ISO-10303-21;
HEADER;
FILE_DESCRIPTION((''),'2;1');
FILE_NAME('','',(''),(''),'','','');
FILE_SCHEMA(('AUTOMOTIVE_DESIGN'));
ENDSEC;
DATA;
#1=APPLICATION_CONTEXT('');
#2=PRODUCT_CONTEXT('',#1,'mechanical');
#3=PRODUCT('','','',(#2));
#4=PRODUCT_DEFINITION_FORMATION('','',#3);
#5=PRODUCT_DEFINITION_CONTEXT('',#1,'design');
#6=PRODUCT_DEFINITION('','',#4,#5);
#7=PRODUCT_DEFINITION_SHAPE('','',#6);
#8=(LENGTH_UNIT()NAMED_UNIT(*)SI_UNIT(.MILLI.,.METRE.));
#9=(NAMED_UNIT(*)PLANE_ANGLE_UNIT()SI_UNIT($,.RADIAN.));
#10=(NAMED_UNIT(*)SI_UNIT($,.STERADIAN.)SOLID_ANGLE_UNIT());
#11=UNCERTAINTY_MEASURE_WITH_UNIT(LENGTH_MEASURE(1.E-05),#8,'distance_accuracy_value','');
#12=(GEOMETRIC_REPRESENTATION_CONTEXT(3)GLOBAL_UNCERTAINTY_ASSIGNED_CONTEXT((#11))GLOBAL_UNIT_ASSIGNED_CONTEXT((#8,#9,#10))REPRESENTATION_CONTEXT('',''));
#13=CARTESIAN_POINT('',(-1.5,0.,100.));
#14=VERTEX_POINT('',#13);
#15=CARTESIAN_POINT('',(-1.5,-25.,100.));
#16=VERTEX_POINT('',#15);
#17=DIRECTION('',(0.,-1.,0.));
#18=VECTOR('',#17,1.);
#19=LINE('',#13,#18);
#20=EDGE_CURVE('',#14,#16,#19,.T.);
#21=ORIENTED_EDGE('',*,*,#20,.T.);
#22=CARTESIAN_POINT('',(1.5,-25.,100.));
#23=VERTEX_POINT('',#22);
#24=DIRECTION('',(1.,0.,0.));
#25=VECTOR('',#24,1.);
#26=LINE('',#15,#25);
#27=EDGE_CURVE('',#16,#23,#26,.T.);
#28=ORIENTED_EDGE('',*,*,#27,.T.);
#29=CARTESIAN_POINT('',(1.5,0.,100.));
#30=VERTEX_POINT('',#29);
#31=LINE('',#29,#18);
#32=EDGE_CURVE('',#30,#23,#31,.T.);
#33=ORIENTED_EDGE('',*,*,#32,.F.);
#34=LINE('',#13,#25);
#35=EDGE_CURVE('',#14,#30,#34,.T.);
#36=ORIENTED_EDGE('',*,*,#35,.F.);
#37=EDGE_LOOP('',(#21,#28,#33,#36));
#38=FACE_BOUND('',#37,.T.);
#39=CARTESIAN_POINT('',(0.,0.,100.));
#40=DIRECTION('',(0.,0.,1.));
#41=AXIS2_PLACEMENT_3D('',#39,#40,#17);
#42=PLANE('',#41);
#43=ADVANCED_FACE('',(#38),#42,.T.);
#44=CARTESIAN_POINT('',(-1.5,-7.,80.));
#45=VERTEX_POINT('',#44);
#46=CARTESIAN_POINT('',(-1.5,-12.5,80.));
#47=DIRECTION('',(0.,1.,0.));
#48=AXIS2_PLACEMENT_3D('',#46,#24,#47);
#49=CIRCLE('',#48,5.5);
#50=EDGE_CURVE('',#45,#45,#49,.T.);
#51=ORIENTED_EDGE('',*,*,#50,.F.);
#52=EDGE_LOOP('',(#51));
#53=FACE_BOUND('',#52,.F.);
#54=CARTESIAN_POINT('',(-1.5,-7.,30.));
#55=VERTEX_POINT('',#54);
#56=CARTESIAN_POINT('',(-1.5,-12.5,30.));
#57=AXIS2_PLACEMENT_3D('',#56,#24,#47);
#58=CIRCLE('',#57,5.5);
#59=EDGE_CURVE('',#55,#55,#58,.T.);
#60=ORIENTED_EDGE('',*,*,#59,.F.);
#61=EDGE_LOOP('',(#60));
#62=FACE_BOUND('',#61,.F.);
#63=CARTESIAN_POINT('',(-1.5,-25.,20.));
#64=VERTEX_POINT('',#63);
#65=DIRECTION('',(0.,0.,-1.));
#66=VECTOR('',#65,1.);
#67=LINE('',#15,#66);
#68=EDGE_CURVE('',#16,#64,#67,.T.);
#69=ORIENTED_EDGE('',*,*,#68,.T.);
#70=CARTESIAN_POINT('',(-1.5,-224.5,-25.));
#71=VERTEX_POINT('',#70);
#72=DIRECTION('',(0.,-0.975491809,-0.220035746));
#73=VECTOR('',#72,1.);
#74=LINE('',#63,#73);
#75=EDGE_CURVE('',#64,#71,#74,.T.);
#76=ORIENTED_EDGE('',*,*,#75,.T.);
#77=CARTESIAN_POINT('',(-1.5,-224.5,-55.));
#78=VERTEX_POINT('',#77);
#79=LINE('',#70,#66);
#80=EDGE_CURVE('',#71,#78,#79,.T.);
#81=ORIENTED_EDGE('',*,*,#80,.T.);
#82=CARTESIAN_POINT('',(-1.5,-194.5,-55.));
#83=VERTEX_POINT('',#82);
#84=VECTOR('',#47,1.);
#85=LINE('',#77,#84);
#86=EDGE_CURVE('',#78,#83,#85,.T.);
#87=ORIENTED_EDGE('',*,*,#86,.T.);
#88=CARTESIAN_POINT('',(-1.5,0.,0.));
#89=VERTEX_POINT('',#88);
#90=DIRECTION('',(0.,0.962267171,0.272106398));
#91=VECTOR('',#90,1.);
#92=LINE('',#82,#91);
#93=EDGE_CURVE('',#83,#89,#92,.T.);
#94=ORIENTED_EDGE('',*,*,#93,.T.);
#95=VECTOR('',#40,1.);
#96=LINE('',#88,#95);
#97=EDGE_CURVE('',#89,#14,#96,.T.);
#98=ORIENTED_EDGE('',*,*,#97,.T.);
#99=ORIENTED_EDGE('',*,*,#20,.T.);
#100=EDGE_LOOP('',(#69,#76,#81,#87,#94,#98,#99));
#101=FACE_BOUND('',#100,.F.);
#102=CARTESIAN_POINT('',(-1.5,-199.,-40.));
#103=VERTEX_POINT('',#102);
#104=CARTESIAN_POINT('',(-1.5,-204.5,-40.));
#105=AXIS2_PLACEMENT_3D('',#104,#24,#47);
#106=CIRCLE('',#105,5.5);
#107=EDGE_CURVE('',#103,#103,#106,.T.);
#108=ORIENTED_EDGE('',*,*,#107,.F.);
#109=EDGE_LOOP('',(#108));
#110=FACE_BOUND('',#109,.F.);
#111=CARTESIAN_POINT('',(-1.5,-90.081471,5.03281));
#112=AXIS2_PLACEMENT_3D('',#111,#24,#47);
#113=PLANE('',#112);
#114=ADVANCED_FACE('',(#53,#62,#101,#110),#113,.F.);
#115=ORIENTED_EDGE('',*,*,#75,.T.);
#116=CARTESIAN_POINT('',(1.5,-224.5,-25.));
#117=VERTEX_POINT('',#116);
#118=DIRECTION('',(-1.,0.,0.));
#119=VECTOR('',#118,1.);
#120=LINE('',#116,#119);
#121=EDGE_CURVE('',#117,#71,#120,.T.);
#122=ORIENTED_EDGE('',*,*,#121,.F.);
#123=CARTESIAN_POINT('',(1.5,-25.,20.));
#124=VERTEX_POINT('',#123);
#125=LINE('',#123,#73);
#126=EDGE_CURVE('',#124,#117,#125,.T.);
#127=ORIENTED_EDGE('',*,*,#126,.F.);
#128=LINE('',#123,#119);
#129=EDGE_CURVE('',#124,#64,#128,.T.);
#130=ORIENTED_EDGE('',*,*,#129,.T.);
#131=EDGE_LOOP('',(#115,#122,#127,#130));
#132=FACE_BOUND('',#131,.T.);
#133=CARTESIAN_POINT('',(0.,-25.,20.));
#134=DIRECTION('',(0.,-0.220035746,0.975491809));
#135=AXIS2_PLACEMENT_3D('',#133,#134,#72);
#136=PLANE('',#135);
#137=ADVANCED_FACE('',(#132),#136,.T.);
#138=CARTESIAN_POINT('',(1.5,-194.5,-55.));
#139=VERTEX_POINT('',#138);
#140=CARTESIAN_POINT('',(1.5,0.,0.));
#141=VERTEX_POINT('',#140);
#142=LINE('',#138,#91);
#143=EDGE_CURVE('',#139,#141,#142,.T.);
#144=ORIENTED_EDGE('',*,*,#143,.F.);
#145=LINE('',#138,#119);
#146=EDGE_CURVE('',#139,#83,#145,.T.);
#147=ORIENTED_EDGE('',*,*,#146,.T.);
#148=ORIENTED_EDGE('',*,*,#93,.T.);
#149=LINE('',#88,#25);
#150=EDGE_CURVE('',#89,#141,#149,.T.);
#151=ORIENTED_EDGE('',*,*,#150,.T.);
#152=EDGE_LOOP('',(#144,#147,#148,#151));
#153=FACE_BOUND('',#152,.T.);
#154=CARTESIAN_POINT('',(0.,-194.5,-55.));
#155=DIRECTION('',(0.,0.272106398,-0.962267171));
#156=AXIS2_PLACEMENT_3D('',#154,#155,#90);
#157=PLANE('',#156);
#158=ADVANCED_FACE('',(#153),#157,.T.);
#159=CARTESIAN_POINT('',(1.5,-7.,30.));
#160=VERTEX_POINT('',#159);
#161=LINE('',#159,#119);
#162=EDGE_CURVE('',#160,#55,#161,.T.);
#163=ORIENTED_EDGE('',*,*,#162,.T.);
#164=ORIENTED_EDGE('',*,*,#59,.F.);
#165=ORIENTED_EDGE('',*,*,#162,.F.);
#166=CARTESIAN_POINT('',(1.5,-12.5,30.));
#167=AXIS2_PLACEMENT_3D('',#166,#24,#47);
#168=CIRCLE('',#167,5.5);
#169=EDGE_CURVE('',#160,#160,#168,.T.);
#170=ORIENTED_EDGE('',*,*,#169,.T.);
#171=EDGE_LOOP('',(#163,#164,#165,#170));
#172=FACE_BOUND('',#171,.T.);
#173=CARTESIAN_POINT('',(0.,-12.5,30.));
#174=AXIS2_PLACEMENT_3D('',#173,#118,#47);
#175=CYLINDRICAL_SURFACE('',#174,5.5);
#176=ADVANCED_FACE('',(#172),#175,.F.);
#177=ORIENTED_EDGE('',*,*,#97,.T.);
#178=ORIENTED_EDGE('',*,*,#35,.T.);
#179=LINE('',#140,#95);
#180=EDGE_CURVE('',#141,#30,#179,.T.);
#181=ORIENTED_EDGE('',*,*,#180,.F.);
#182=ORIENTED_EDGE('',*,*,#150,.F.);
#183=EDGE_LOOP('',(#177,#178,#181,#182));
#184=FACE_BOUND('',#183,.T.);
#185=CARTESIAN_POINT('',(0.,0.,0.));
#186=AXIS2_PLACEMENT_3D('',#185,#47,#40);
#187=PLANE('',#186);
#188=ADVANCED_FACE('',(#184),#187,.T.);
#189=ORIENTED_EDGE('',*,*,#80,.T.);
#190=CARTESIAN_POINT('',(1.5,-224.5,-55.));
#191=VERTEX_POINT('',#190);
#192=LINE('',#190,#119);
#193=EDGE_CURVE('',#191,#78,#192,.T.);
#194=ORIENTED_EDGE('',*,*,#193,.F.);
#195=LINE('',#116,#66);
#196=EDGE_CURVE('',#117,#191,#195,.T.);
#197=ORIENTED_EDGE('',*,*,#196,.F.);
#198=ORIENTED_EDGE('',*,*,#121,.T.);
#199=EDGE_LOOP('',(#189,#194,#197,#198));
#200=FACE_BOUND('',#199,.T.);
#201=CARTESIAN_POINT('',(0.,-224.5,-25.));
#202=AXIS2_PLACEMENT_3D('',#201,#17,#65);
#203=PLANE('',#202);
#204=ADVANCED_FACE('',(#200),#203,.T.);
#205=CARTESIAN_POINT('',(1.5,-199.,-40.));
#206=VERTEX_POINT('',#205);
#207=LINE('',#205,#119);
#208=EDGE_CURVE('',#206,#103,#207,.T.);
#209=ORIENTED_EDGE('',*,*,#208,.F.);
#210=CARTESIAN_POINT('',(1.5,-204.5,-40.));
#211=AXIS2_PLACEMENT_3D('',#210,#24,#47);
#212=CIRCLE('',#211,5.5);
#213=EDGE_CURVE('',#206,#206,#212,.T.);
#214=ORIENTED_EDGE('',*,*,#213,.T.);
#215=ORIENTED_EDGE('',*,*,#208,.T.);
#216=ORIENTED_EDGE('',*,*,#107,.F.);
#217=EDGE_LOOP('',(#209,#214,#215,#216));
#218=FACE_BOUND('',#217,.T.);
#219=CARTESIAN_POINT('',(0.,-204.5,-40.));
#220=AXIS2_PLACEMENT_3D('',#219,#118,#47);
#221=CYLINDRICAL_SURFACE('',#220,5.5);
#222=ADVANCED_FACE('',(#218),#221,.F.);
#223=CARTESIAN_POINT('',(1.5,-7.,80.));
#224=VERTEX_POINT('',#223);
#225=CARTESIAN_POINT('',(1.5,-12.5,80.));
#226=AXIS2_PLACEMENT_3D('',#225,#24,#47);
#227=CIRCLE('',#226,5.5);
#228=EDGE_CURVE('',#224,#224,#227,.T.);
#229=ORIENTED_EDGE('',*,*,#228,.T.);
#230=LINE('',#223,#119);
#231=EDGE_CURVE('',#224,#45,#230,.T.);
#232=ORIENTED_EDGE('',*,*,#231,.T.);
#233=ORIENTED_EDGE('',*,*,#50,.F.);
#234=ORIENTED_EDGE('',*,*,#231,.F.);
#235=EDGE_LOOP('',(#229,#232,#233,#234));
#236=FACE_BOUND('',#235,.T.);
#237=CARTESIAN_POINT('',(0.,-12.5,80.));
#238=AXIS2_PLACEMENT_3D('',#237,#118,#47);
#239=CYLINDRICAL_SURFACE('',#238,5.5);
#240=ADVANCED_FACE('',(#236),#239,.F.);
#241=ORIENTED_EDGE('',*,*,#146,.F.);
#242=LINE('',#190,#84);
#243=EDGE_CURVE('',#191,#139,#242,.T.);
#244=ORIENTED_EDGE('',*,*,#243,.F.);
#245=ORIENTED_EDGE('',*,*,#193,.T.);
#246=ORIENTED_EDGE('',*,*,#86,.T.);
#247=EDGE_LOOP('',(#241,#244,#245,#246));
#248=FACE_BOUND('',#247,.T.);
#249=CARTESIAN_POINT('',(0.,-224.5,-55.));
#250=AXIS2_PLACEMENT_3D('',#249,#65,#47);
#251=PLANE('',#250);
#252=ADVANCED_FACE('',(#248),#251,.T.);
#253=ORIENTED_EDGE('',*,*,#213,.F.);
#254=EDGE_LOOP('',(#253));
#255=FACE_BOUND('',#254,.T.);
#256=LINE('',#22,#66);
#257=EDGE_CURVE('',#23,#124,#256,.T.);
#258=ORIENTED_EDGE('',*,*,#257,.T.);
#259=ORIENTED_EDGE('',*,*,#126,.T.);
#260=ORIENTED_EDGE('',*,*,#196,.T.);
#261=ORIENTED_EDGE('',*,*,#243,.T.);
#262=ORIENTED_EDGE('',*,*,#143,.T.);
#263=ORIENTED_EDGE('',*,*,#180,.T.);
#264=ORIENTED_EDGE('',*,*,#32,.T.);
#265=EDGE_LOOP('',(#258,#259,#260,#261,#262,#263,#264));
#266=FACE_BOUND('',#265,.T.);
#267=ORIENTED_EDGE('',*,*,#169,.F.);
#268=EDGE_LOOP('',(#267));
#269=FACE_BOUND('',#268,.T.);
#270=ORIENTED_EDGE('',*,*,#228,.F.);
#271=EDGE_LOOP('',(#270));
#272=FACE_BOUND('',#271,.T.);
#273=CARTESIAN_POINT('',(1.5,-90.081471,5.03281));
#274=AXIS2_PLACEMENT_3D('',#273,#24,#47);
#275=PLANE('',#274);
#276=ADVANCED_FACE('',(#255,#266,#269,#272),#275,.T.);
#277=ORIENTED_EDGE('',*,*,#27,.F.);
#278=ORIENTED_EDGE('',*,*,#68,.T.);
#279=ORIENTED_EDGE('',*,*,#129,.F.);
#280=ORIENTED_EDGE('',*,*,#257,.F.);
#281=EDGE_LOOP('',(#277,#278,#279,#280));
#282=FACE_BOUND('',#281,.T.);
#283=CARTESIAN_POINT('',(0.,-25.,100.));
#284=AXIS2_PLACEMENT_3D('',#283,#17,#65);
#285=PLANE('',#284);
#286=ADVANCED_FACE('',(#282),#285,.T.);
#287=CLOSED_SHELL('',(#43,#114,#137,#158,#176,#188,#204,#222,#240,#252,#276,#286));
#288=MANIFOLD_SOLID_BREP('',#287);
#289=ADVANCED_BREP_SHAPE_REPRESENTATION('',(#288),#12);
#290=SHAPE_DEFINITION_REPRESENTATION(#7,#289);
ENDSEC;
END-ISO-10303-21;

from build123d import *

# Parameters (mm, degrees)
F0_R     = 5.5
F1_DEPTH = 1.5


with BuildPart() as f1:
    # F0 (on Right) → F1 (new body, symmetric)
    with BuildSketch(Plane.YZ):
        Polygon((-194.5, -55), (0, 0), (0, 100), (-25, 100), (-25, 20), (-224.5, -25), (-224.5, -55), align=None)
        with Locations((-204.5, -40)):
            Circle(F0_R, mode=Mode.SUBTRACT)
        with Locations((-12.5, 30)):
            Circle(F0_R, mode=Mode.SUBTRACT)
        with Locations((-12.5, 80)):
            Circle(F0_R, mode=Mode.SUBTRACT)
    extrude(amount=F1_DEPTH, both=True)


solid = f1.part
